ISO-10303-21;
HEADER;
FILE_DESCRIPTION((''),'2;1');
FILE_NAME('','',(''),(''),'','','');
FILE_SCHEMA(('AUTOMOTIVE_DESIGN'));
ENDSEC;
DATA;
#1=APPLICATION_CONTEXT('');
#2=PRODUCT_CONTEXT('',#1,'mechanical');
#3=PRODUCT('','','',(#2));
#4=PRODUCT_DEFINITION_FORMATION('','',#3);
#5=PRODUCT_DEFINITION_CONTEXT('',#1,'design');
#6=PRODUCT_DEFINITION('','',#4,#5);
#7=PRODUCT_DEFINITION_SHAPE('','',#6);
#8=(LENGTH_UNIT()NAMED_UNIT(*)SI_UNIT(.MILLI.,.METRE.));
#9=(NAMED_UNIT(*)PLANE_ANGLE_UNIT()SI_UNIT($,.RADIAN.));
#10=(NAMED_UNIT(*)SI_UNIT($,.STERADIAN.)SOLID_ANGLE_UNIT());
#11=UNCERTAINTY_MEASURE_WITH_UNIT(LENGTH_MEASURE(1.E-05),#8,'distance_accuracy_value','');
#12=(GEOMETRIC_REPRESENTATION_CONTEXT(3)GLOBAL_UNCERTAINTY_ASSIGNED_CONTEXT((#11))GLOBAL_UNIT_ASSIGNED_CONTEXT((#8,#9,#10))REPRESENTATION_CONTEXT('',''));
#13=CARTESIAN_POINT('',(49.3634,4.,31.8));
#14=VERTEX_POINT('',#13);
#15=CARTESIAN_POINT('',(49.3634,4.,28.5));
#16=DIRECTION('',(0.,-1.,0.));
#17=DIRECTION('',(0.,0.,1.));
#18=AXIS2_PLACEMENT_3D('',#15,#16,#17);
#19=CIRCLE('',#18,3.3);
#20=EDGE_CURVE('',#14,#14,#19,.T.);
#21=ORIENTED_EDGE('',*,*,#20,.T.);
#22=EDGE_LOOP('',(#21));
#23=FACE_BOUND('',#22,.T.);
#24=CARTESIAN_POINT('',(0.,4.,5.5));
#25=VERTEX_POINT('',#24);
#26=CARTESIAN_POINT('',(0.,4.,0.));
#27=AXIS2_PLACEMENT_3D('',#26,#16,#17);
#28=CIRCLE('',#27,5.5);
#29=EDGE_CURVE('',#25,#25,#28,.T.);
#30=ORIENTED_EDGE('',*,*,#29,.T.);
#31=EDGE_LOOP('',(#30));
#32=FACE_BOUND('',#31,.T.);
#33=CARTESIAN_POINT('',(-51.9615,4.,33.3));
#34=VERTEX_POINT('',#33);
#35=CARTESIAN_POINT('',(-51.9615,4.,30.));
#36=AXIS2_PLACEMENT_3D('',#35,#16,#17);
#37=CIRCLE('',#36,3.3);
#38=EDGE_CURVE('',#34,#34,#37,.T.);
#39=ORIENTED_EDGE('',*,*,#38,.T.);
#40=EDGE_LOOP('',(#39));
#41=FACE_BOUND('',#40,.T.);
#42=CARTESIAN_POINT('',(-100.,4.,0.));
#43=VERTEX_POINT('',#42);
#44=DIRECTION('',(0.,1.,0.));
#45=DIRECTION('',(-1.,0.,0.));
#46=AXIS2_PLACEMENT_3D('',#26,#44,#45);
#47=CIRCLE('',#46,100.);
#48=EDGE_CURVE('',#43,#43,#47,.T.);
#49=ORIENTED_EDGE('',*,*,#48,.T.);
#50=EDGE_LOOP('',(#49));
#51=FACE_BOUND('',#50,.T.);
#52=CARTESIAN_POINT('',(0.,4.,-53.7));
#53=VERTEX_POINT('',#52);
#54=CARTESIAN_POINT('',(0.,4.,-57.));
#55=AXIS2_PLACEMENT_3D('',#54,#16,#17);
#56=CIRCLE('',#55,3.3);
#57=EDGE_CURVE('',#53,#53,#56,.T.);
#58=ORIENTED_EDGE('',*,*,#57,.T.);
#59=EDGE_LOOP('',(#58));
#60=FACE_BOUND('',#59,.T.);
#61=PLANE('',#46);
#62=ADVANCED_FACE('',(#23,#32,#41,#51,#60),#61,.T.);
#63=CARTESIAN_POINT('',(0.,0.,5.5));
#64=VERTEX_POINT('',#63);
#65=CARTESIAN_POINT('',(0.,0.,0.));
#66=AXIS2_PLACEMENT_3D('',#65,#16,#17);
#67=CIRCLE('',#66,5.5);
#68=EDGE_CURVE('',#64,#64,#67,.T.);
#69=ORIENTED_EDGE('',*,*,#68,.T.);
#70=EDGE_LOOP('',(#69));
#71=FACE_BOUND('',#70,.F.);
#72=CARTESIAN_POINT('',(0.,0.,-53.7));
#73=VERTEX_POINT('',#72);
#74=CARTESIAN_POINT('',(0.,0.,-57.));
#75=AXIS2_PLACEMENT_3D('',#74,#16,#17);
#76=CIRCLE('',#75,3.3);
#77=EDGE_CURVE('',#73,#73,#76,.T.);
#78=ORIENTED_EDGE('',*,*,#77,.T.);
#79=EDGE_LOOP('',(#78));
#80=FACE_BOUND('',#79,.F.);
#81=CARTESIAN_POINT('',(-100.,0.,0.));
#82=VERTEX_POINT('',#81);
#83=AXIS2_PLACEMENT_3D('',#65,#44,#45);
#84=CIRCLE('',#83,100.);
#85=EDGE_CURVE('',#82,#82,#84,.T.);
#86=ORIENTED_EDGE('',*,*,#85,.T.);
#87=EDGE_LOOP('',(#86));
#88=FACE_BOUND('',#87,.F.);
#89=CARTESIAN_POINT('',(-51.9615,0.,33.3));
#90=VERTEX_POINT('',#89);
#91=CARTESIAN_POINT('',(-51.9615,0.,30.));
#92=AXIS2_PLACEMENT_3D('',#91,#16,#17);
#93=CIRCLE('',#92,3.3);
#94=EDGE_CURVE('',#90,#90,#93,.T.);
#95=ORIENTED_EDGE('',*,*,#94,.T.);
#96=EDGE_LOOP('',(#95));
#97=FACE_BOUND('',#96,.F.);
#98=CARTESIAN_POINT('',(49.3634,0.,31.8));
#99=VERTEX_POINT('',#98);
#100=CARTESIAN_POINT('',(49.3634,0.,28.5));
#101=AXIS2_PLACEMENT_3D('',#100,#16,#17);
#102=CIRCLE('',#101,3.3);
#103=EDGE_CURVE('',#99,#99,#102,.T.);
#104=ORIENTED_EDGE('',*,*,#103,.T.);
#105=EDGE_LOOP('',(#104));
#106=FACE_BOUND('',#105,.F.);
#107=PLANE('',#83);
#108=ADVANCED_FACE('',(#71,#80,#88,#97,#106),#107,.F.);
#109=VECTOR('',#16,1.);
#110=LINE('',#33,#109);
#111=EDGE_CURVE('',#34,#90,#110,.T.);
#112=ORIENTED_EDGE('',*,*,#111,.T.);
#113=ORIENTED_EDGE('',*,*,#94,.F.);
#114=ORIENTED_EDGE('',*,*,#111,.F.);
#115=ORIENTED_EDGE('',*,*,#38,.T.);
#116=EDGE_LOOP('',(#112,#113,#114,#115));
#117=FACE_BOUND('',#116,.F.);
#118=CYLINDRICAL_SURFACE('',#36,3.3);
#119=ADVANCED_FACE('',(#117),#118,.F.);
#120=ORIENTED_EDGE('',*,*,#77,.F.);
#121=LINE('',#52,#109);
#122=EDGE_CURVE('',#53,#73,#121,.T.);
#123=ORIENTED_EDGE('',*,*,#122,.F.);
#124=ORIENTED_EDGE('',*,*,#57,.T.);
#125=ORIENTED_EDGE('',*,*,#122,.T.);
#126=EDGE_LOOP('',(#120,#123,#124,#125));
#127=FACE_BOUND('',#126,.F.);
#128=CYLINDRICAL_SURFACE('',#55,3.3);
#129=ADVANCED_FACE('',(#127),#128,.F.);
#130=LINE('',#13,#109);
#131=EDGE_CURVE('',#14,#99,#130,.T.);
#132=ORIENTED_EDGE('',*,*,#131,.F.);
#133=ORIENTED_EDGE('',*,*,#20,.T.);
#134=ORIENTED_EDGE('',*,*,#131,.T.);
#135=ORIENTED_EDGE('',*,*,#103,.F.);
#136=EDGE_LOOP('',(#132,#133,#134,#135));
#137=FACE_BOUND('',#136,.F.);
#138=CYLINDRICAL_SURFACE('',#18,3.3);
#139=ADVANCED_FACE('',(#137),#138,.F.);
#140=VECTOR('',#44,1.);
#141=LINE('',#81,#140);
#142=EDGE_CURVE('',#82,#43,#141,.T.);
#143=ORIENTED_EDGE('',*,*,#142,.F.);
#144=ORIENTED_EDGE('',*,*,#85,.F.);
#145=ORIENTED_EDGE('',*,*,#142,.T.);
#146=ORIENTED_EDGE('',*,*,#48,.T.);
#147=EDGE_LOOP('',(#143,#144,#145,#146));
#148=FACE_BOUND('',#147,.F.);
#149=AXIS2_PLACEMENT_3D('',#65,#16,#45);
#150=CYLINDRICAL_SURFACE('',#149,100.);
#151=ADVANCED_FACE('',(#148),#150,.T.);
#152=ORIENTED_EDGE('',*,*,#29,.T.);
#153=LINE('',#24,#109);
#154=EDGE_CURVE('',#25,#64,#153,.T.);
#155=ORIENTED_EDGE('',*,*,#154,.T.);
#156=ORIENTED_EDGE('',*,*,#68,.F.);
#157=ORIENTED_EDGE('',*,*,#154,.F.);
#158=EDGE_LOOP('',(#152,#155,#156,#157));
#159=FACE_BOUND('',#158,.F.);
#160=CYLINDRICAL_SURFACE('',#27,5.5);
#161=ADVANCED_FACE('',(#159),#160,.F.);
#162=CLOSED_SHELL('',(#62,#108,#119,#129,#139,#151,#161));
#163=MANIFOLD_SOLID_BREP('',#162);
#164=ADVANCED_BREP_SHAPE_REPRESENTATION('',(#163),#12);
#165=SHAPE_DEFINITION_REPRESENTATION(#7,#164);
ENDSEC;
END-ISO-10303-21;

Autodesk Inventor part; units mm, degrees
ref_plane "YZ Plane" through (0, 0, 0) normal (1, 0, 0) x (0, 1, 0)
ref_plane "XZ Plane" through (0, 0, 0) normal (0, 1, 0) x (-1, 0, 0)
ref_plane "XY Plane" through (0, 0, 0) normal (0, 0, 1) x (1, 0, 0)
sketch "Sketch1" plane through (0, 0, 0) normal (0, 1, 0) x (-1, 0, 0)
  circle A0 centre (0, 0) radius 100
  dimension "d0" = 200
extrude "Extrusion1" add sketch "Sketch1" along normal blind 4
sketch "Sketch2" plane through (0, 4, 0) normal (0, 1, 0) x (1, 0, 0)
  circle A0 centre (0, 0) radius 100 projected
  circle A1 centre (0, 0) radius 5
  dimension "d3" = 10
hole "Hole1" at (0, 4, 0) direction (0, -1, 0) diameter 11 end through all clearance for "Flat Head Machine Screw" size "M10" standard "Ansi Metric M Profile"
sketch "Sketch4" plane through (0, 4, 0) normal (0, 1, 0) x (1, 0, 0)
  circle A0 centre (0, 57) radius 3.175
  circle A1 centre (-51.9615, -30) radius 3.175
  circle A2 centre (49.3634, -28.5) radius 3.175
  circle A3 centre (0, 0) radius 100 projected
  line L0 (0, 0) -> (0, 57) construction
  line L1 (0, 0) -> (49.3634, -28.5) construction
  line L2 (0, 0) -> (57, 0) construction
  line L3 (0, 0) -> (-51.9615, -30) construction
  line L4 (0, 0) -> (60, 0) construction
  dimension "d28" = 360
  dimension "d24" = 6.35
  dimension "d37" = 57
  dimension "d38" = 57
  dimension "d39" = 30
  dimension "d40" = 60
  dimension "d41" = 150
hole "Hole3" at (0, 4, -57) at (49.3634, 4, 28.5) at (-51.9615, 4, 30) direction (0, -1, 0) diameter 6.6 end through all clearance for "Flat Head Machine Screw" size "M6" standard "Ansi Metric M Profile"
properties part number "bpPlate" material "Steel"
